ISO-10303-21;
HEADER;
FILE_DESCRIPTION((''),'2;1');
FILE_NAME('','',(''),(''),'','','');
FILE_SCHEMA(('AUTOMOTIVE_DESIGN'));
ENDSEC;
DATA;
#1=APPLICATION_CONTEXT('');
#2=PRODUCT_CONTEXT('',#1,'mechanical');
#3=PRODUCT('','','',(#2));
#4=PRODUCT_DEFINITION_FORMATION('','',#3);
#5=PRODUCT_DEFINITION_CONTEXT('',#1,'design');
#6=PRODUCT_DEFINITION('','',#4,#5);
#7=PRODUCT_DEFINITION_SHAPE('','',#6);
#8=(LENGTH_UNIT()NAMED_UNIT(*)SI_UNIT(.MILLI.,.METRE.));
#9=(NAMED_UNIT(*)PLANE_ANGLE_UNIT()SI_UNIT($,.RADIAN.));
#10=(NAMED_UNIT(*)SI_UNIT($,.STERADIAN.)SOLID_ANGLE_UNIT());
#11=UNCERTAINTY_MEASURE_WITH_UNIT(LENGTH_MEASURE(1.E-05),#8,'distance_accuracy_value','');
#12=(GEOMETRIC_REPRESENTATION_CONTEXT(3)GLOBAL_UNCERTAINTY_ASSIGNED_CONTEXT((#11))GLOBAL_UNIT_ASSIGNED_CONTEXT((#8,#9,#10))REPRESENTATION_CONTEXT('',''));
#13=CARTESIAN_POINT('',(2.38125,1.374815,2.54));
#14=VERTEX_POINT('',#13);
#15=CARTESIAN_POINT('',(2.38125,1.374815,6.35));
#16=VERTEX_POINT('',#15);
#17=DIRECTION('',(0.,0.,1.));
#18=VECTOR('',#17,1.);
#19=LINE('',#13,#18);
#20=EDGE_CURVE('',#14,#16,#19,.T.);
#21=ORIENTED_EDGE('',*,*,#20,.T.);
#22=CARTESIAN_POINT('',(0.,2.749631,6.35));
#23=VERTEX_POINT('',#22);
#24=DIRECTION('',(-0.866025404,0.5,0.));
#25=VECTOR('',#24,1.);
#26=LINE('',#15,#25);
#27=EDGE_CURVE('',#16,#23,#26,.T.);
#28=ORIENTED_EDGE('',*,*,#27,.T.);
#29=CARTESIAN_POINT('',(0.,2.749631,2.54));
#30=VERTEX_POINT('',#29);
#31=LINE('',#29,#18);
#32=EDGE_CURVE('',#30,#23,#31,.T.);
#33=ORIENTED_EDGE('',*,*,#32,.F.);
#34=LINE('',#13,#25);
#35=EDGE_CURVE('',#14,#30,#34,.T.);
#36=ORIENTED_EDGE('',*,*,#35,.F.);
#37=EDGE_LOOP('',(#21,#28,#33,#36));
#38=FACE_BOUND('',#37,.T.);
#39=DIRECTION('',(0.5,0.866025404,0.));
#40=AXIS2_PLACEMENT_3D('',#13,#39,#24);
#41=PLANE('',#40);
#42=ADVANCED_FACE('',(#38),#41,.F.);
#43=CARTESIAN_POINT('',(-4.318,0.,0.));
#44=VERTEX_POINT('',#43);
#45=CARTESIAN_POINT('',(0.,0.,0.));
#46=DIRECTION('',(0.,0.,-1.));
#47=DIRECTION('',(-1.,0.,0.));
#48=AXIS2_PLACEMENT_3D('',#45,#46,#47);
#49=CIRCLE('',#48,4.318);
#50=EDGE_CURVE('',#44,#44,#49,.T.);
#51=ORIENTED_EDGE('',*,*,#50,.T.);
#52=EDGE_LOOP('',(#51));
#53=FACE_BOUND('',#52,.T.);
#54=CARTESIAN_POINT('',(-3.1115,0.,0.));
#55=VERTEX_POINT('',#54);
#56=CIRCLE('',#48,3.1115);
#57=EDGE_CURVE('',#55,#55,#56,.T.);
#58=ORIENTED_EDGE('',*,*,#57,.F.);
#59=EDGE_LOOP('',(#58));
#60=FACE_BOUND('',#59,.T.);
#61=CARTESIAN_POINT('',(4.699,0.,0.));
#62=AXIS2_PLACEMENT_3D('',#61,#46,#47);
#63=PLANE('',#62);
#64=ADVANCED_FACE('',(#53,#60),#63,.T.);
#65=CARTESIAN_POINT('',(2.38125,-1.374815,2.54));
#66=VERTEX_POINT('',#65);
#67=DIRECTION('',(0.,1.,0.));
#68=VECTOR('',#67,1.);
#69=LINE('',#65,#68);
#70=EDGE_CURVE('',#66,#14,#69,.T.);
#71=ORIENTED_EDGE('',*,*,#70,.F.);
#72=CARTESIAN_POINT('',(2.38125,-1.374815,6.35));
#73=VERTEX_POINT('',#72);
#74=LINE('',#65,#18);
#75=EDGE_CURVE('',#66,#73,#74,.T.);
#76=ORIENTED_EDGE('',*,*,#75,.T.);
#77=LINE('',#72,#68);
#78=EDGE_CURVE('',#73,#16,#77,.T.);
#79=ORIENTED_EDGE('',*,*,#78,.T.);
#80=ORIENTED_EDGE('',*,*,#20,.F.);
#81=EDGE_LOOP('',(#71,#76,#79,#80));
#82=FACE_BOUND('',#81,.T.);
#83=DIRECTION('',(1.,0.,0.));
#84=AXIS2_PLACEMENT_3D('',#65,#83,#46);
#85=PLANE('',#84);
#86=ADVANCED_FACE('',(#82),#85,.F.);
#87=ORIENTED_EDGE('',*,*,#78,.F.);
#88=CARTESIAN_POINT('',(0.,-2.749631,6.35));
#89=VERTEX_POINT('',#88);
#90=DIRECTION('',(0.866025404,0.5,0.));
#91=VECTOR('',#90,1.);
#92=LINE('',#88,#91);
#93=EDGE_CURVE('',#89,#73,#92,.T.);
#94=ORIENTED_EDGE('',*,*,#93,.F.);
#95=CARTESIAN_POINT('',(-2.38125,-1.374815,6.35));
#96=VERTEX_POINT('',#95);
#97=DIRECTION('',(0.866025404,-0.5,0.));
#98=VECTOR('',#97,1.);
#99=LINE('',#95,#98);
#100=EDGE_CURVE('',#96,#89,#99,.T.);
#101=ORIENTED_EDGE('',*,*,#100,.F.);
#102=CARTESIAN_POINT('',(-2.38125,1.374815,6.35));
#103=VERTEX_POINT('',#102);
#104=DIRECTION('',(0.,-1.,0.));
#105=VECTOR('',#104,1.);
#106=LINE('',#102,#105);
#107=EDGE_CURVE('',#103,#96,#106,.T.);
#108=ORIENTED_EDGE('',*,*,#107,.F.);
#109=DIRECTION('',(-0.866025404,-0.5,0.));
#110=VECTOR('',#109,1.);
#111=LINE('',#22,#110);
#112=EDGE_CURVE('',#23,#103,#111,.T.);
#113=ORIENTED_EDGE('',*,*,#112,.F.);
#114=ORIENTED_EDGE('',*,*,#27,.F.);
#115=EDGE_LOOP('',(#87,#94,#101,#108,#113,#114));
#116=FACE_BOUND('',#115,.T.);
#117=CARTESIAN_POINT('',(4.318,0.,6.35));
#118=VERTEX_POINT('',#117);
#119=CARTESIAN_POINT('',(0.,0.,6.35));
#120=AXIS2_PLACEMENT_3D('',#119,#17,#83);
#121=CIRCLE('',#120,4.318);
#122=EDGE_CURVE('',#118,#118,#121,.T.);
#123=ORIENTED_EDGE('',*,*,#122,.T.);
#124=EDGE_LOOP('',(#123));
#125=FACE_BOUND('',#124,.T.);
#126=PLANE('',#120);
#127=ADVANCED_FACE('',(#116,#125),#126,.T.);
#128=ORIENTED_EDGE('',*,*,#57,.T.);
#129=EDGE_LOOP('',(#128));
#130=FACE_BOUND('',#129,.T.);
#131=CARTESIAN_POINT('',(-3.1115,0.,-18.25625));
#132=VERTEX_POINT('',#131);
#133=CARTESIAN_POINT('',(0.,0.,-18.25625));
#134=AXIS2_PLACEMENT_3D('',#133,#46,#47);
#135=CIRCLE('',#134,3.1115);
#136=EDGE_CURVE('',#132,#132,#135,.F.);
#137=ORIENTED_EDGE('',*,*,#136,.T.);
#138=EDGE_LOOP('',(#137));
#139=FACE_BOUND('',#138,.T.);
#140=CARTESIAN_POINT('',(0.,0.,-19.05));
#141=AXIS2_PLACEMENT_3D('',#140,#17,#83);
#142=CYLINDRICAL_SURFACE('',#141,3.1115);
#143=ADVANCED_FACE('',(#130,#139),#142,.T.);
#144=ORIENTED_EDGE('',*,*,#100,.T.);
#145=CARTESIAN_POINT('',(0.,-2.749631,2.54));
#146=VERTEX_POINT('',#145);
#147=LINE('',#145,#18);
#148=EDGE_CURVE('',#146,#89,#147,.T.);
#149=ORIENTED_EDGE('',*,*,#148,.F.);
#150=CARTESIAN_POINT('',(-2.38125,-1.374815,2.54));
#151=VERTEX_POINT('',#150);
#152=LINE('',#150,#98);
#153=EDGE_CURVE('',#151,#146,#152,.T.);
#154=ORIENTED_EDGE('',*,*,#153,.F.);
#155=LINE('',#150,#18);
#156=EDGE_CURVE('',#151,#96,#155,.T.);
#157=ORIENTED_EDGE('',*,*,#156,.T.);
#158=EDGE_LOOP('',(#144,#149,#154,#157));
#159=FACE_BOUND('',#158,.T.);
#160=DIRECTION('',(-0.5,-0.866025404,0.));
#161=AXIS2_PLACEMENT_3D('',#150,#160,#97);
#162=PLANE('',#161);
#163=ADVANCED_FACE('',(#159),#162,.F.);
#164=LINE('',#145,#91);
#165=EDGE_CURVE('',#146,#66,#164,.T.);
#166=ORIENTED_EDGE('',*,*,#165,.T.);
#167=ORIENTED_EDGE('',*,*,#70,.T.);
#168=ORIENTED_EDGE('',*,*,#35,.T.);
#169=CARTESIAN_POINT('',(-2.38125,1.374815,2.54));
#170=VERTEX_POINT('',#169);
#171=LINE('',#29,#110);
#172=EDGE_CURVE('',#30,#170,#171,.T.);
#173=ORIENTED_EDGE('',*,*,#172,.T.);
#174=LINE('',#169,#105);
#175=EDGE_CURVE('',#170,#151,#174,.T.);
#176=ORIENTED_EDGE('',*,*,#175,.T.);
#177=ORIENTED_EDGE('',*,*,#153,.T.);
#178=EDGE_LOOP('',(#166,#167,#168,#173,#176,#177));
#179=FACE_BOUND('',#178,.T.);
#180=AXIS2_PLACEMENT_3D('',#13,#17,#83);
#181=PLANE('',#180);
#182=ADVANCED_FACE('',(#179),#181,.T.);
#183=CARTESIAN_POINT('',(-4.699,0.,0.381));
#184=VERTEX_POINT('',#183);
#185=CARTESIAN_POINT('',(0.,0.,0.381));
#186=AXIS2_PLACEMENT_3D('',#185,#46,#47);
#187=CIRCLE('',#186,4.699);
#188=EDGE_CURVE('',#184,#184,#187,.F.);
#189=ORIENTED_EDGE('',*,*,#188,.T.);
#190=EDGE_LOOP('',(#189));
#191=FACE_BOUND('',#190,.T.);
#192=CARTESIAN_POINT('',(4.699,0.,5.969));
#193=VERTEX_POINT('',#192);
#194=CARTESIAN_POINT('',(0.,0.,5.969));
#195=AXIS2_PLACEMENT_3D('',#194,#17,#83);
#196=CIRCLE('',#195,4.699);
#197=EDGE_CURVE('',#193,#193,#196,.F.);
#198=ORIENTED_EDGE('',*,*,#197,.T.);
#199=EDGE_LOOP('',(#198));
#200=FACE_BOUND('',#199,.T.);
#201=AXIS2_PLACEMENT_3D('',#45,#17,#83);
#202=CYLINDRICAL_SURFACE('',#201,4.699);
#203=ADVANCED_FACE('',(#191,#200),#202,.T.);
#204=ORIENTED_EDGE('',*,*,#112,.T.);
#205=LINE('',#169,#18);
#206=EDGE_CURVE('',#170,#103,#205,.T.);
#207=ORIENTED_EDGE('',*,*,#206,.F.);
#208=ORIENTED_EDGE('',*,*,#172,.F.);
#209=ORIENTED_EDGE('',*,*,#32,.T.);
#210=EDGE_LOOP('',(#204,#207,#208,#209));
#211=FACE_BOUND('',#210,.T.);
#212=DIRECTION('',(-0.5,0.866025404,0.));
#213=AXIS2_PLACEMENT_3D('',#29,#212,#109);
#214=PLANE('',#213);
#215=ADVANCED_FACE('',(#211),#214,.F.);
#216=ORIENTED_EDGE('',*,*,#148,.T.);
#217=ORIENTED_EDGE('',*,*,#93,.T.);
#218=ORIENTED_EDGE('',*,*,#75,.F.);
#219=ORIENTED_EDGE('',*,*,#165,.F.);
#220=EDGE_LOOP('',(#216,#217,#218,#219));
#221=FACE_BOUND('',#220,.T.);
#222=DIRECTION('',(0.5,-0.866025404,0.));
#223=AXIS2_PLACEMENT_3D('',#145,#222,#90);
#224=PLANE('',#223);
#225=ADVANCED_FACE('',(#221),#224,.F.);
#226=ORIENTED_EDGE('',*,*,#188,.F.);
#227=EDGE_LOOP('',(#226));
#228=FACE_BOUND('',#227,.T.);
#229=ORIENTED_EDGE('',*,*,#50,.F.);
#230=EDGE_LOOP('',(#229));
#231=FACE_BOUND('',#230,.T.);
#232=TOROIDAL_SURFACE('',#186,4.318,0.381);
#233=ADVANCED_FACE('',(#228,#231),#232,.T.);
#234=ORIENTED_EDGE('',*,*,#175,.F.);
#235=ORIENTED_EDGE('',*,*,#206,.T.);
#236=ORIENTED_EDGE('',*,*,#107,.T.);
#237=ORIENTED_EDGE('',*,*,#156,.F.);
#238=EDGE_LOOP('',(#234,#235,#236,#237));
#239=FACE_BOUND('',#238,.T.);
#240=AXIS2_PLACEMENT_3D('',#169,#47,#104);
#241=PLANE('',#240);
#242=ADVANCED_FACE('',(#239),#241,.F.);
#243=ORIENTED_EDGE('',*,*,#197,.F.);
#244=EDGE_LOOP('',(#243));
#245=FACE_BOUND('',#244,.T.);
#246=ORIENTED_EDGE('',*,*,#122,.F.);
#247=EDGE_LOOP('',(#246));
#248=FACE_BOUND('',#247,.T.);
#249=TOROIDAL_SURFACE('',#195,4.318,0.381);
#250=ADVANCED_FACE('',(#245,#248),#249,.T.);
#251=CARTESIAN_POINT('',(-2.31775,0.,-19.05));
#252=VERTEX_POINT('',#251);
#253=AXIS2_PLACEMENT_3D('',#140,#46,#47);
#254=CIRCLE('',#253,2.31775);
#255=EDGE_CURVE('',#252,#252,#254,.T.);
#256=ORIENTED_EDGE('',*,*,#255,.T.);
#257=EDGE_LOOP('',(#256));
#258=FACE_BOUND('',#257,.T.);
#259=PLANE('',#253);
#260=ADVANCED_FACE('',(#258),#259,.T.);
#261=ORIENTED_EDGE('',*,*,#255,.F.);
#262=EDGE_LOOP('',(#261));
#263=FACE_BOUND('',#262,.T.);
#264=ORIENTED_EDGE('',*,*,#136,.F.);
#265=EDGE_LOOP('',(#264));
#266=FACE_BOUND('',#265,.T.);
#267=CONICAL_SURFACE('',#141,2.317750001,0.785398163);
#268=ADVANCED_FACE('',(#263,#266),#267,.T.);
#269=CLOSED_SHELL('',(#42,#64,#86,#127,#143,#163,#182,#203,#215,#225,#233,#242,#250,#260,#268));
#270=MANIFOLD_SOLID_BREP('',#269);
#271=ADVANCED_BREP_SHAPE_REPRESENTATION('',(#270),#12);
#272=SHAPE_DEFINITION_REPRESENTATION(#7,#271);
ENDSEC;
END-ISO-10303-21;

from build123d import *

# Parameters (mm, degrees)
SKETCH1_W      = 4.699
SKETCH1_H      = 6.35
SKETCH2_R      = 3.1115
EXTRUDE1_DEPTH = 19.05
EXTRUDE2_DEPTH = 3.81
CHAMFER1_SIZE2 = 0.793750001
CHAMFER1_SIZE  = 0.793749999
FILLET1_R      = 0.381
FILLET2_R      = 0.381


with BuildPart() as part:
    # Sketch1 → Revolve1 (revolve)
    with BuildSketch(Plane(origin=(0, 0, 0), x_dir=(1, 0, 0), z_dir=(0, 1, 0))):
        with Locations((2.3495, -3.175)):
            Rectangle(SKETCH1_W, SKETCH1_H)
    revolve(axis=Axis((0, 0, 0), (0, 0, 1)))

    # Sketch2 → Extrude1 (add)
    with BuildSketch(Plane(origin=(0, 0, 0), x_dir=(-1, 0, 0), z_dir=(0, 0, -1))):
        Circle(SKETCH2_R)
    extrude(amount=EXTRUDE1_DEPTH)

    # Sketch3 → Extrude2 (cut)
    with BuildSketch(Plane.XY.offset(6.35)):
        Polygon((2.38125, 1.374815329), (0, 2.749630657), (-2.38125, 1.374815329), (-2.38125, -1.374815329), (0, -2.749630657), (2.38125, -1.374815329), align=None)
    extrude(amount=-EXTRUDE2_DEPTH, mode=Mode.SUBTRACT)

    # Chamfer1
    chamfer1_edges = [part.edges().sort_by_distance(p)[0] for p in [
        (3.1115, 0, -19.05),
    ]]
    chamfer(chamfer1_edges, length=CHAMFER1_SIZE, length2=CHAMFER1_SIZE2)

    # Fillet1
    fillet1_edges = [part.edges().sort_by_distance(p)[0] for p in [
        (-4.699, 0, 6.35),
    ]]
    fillet(fillet1_edges, radius=FILLET1_R)

    # Fillet2
    fillet2_edges = [part.edges().sort_by_distance(p)[0] for p in [
        (-4.699, 0, 0),
    ]]
    fillet(fillet2_edges, radius=FILLET2_R)


solid = part.part
